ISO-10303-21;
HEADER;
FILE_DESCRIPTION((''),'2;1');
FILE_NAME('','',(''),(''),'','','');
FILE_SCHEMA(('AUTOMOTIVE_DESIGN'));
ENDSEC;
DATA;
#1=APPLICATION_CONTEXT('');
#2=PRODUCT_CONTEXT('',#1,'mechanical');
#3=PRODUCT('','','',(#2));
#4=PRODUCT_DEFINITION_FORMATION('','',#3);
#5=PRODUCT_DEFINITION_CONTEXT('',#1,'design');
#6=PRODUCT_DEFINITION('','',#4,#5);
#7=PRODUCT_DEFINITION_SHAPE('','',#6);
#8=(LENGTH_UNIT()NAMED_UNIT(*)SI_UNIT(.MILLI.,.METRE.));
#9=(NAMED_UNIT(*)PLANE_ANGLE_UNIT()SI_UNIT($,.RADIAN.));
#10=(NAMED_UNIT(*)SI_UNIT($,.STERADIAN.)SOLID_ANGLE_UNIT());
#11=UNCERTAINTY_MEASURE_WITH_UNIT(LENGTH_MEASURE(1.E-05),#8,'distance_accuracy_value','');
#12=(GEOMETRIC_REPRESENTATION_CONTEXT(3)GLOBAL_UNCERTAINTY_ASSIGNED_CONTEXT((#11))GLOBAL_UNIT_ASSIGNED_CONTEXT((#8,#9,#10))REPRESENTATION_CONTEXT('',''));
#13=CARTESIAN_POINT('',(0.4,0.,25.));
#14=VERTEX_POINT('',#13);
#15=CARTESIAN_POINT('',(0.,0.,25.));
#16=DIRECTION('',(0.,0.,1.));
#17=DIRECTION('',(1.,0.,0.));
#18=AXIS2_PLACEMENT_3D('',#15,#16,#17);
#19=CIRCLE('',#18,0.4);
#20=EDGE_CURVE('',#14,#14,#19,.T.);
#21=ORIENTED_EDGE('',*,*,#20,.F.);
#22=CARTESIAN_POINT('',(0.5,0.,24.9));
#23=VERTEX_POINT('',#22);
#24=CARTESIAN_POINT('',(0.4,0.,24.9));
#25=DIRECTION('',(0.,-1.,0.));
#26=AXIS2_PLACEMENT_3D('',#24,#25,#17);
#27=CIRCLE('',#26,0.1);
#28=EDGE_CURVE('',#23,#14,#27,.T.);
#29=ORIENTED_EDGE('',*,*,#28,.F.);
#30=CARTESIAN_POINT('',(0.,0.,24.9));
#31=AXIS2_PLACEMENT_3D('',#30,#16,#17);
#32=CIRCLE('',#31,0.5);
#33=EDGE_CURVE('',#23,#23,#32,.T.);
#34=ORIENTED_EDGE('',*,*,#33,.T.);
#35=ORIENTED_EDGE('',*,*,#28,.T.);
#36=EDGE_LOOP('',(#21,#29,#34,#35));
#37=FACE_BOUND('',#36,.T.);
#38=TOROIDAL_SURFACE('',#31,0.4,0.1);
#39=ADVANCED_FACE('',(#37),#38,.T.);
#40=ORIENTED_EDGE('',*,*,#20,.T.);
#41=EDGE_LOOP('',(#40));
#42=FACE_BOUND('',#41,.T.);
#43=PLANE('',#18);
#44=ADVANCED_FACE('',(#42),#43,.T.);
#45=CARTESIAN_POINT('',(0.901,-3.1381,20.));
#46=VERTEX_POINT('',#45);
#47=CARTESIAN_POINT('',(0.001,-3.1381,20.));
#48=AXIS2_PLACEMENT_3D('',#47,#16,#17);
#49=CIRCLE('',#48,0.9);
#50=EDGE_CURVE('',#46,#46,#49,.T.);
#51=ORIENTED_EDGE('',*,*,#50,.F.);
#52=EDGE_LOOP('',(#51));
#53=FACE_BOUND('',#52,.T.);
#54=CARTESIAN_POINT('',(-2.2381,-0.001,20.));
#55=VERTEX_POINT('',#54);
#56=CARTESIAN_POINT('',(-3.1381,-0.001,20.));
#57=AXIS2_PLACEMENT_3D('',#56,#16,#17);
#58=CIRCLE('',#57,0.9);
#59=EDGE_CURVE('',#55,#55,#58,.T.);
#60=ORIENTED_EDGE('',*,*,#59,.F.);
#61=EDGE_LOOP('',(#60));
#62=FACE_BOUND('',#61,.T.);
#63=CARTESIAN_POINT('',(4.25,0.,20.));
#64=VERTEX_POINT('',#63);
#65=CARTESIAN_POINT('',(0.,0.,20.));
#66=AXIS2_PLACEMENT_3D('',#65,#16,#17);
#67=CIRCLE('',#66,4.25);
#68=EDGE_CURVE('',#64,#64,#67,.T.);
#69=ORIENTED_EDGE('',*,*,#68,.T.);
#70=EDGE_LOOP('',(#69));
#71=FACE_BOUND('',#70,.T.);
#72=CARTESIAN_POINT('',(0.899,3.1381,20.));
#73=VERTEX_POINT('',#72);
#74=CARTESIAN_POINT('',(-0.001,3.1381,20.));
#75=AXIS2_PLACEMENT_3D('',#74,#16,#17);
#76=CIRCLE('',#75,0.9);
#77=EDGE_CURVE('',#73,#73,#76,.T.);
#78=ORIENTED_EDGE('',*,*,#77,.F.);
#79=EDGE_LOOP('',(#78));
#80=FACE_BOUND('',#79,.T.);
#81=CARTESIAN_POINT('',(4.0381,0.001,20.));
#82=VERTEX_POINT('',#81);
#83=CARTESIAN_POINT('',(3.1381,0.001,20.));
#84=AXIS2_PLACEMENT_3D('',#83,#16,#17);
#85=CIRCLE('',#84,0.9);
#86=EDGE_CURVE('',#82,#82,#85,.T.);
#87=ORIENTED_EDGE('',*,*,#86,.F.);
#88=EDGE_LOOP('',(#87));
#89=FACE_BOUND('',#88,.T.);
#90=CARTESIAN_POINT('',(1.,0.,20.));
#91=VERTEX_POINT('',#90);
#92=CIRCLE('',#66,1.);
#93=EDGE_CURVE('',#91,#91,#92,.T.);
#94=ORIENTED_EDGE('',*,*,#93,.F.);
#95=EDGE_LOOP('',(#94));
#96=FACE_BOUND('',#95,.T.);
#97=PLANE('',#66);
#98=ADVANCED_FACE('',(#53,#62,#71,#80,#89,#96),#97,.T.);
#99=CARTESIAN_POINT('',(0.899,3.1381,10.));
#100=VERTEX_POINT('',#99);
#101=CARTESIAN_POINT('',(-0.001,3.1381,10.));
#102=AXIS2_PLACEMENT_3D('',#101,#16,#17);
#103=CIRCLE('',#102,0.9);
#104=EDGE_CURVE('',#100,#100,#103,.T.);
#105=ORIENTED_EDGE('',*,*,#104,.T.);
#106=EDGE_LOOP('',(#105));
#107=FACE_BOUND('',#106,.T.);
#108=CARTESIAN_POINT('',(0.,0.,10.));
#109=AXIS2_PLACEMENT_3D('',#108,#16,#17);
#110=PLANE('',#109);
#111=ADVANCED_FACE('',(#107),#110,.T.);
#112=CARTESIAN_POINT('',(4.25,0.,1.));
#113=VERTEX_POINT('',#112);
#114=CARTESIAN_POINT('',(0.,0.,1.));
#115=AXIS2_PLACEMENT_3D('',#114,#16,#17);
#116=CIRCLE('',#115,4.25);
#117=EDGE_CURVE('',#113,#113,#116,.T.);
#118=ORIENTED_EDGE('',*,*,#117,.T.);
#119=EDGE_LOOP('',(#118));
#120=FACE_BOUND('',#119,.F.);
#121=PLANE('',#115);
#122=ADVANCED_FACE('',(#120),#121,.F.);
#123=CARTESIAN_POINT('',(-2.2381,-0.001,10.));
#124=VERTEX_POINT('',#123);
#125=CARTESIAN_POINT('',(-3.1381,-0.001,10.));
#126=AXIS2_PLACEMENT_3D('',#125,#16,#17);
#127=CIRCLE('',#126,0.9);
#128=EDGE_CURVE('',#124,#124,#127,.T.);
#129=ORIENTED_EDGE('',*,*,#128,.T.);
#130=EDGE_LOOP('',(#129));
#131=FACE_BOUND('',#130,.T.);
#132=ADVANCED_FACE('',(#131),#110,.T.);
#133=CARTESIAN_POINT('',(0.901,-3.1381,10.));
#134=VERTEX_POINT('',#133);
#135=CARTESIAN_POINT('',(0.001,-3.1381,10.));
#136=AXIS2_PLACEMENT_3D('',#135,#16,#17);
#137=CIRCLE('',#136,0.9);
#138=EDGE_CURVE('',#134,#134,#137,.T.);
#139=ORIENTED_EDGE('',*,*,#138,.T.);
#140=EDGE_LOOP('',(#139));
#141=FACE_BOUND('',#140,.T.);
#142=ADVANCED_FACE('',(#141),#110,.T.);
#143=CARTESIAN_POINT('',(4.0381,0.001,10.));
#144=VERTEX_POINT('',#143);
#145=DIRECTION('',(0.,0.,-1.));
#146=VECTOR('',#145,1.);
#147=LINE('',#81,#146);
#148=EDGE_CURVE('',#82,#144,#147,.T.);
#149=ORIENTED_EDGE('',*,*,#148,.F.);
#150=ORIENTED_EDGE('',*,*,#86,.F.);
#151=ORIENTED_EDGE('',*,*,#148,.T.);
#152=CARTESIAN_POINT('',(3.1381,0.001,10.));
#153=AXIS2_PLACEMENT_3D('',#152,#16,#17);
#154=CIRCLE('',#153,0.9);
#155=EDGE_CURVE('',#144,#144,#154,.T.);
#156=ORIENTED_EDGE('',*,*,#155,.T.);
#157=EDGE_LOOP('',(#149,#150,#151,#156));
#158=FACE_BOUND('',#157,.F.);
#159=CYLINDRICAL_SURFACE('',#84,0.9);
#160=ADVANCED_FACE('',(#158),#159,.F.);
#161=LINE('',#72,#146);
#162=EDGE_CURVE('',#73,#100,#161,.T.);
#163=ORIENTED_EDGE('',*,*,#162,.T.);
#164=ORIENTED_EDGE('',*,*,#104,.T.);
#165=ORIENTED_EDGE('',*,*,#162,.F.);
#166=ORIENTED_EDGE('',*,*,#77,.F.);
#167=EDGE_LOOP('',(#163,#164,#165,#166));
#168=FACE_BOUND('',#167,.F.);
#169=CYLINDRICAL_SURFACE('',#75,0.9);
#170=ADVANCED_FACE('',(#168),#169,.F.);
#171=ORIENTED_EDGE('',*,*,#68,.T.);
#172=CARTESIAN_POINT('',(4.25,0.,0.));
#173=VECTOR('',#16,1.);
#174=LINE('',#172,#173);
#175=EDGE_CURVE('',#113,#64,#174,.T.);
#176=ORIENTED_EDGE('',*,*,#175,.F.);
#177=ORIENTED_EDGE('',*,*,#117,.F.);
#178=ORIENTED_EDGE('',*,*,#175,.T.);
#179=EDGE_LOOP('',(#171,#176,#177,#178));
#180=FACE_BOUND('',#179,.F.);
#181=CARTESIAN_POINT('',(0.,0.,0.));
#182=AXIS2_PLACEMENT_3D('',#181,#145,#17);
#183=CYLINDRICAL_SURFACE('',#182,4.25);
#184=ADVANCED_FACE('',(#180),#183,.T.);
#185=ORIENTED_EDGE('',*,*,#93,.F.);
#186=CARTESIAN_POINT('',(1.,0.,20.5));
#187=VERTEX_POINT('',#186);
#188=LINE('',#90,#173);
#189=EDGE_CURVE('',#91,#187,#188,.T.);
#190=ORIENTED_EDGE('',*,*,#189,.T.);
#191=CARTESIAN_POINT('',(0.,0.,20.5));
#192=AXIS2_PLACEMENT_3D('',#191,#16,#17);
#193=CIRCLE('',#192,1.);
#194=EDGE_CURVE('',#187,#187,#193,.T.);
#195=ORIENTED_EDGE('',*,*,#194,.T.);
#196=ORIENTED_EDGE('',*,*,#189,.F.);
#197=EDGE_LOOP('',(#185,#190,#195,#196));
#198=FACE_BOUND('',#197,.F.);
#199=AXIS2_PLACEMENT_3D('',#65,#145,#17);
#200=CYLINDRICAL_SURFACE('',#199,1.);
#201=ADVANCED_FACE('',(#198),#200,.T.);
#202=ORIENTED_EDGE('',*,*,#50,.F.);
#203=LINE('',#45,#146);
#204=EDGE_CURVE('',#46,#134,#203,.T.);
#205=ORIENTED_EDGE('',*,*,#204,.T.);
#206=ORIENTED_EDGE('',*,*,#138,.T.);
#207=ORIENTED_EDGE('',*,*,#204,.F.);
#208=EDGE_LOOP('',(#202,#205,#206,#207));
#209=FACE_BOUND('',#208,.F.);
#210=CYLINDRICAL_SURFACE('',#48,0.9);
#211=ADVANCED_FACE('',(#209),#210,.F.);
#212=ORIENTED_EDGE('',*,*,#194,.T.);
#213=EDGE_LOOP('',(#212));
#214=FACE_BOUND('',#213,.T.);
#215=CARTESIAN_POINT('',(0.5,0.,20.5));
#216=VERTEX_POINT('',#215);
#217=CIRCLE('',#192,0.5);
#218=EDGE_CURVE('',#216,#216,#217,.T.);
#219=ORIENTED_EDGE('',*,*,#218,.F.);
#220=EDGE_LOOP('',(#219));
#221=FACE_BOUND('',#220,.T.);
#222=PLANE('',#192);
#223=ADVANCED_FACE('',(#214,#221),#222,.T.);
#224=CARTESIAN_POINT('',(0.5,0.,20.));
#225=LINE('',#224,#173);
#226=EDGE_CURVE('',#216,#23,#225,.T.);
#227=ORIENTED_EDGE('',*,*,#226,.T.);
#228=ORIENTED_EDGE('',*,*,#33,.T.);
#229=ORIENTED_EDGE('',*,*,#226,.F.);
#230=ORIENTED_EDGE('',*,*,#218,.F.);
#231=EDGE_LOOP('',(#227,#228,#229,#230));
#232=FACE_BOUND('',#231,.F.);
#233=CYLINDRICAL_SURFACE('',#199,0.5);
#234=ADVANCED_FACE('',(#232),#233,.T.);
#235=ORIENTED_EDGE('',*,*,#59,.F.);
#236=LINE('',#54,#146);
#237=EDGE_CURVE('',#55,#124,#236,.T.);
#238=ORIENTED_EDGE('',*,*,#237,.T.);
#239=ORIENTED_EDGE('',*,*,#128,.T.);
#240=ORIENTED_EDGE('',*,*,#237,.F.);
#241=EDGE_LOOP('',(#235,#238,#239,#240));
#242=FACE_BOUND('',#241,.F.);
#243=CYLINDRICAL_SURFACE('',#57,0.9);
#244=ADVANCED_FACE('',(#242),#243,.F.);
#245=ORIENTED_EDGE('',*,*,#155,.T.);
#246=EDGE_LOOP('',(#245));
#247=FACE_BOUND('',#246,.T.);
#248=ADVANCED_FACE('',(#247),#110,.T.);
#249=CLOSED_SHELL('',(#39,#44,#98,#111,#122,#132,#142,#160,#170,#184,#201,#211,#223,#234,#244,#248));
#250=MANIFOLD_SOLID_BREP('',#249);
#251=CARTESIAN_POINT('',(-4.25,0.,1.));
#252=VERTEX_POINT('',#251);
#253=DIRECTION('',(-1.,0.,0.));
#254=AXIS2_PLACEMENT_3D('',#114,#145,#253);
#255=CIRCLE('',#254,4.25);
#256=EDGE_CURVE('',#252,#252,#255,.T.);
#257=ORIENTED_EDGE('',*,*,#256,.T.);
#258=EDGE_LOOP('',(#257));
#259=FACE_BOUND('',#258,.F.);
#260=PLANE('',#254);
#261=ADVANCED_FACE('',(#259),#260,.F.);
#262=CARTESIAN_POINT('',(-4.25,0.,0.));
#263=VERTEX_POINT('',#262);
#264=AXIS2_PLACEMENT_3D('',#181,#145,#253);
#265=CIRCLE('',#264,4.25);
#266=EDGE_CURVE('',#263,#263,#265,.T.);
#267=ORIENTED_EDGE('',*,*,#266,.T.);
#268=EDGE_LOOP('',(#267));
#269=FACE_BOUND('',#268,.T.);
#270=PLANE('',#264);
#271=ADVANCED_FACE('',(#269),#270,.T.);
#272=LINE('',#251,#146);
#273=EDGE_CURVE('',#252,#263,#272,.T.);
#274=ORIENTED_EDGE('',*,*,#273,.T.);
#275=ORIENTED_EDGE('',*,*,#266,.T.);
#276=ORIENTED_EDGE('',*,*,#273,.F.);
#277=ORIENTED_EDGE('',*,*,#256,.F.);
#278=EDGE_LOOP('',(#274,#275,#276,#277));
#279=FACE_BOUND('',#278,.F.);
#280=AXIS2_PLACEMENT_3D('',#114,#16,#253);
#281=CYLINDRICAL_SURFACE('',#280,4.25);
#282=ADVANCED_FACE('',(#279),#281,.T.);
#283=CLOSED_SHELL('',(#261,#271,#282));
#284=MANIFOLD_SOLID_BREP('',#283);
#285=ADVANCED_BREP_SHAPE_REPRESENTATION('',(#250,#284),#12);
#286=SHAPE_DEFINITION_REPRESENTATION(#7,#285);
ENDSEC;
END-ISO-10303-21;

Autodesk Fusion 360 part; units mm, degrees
sketch "Sketch1" plane through (0, 0, 0) normal (0, 0, 1) x (1, 0, 0)
  circle A0 centre (0, 0) radius 4.25
  dimension "d1" = 8.5
extrude "Extrude1" add sketch "Sketch1" along normal blind 20 makes body 1
sketch "Sketch2" plane through (0, 0, 20) normal (0, 0, 1) x (1, 0, 0)
  circle A0 centre (0, 0) radius 4.25
  circle A1 centre (0, 0) radius 0.5
  dimension "d4" = 1
extrude "Extrude2" add sketch "Sketch2" along normal blind 5 contours A1 bodies 1
fillet "Fillet2" radius 0.1 1 edges at (-0.4662, -0.1808, 25) on bodies 1
extrude "Extrude3" cut 1 faces at (1.2134, 0.1971, 0) along direction (0, 0, 1) blind 1 on bodies 1 bodies 1
sketch "Sketch3" plane through (0, 0, 1) normal (0, 0, -1) x (-1, 0, 0)
  circle A0 centre (0, 0) radius 4.25
extrude "Extrude4" add sketch "Sketch3" along normal blind 1 separate body makes body 2
sketch "Sketch4" plane through (0, 0, 20) normal (0, 0, 1) x (1, 0, 0)
  circle A0 centre (0, 0) radius 0.5
  circle A1 centre (0, 0) radius 4.25
  circle A2 centre (0, 0) radius 1
  dimension "d13" = 2
extrude "Extrude5" add sketch "Sketch4" along normal blind 0.5 contours A2 bodies 1
sketch "Sketch5" plane through (0, 0, 20) normal (0, 0, 1) x (1, 0, 0)
  circle A0 centre (0, 0) radius 1
  circle A1 centre (0, 0) radius 4.25
  circle A2 centre (0.001, -3.1381) radius 0.9
  line L0 (0, 0) -> (0, 0.0971)
  line L1 (0, 0.0971) -> (0, 1.4335) construction
  circle A3 centre (3.1381, 0.001) radius 0.9
  circle A4 centre (-0.001, 3.1381) radius 0.9
  circle A5 centre (-3.1381, -0.001) radius 0.9
  dimension "d16" = 1.8
  dimension "d18" = 360
extrude "Extrude6" cut sketch "Sketch5" against normal blind 10 contours A2 | A3 | A4 | A5 bodies 1
